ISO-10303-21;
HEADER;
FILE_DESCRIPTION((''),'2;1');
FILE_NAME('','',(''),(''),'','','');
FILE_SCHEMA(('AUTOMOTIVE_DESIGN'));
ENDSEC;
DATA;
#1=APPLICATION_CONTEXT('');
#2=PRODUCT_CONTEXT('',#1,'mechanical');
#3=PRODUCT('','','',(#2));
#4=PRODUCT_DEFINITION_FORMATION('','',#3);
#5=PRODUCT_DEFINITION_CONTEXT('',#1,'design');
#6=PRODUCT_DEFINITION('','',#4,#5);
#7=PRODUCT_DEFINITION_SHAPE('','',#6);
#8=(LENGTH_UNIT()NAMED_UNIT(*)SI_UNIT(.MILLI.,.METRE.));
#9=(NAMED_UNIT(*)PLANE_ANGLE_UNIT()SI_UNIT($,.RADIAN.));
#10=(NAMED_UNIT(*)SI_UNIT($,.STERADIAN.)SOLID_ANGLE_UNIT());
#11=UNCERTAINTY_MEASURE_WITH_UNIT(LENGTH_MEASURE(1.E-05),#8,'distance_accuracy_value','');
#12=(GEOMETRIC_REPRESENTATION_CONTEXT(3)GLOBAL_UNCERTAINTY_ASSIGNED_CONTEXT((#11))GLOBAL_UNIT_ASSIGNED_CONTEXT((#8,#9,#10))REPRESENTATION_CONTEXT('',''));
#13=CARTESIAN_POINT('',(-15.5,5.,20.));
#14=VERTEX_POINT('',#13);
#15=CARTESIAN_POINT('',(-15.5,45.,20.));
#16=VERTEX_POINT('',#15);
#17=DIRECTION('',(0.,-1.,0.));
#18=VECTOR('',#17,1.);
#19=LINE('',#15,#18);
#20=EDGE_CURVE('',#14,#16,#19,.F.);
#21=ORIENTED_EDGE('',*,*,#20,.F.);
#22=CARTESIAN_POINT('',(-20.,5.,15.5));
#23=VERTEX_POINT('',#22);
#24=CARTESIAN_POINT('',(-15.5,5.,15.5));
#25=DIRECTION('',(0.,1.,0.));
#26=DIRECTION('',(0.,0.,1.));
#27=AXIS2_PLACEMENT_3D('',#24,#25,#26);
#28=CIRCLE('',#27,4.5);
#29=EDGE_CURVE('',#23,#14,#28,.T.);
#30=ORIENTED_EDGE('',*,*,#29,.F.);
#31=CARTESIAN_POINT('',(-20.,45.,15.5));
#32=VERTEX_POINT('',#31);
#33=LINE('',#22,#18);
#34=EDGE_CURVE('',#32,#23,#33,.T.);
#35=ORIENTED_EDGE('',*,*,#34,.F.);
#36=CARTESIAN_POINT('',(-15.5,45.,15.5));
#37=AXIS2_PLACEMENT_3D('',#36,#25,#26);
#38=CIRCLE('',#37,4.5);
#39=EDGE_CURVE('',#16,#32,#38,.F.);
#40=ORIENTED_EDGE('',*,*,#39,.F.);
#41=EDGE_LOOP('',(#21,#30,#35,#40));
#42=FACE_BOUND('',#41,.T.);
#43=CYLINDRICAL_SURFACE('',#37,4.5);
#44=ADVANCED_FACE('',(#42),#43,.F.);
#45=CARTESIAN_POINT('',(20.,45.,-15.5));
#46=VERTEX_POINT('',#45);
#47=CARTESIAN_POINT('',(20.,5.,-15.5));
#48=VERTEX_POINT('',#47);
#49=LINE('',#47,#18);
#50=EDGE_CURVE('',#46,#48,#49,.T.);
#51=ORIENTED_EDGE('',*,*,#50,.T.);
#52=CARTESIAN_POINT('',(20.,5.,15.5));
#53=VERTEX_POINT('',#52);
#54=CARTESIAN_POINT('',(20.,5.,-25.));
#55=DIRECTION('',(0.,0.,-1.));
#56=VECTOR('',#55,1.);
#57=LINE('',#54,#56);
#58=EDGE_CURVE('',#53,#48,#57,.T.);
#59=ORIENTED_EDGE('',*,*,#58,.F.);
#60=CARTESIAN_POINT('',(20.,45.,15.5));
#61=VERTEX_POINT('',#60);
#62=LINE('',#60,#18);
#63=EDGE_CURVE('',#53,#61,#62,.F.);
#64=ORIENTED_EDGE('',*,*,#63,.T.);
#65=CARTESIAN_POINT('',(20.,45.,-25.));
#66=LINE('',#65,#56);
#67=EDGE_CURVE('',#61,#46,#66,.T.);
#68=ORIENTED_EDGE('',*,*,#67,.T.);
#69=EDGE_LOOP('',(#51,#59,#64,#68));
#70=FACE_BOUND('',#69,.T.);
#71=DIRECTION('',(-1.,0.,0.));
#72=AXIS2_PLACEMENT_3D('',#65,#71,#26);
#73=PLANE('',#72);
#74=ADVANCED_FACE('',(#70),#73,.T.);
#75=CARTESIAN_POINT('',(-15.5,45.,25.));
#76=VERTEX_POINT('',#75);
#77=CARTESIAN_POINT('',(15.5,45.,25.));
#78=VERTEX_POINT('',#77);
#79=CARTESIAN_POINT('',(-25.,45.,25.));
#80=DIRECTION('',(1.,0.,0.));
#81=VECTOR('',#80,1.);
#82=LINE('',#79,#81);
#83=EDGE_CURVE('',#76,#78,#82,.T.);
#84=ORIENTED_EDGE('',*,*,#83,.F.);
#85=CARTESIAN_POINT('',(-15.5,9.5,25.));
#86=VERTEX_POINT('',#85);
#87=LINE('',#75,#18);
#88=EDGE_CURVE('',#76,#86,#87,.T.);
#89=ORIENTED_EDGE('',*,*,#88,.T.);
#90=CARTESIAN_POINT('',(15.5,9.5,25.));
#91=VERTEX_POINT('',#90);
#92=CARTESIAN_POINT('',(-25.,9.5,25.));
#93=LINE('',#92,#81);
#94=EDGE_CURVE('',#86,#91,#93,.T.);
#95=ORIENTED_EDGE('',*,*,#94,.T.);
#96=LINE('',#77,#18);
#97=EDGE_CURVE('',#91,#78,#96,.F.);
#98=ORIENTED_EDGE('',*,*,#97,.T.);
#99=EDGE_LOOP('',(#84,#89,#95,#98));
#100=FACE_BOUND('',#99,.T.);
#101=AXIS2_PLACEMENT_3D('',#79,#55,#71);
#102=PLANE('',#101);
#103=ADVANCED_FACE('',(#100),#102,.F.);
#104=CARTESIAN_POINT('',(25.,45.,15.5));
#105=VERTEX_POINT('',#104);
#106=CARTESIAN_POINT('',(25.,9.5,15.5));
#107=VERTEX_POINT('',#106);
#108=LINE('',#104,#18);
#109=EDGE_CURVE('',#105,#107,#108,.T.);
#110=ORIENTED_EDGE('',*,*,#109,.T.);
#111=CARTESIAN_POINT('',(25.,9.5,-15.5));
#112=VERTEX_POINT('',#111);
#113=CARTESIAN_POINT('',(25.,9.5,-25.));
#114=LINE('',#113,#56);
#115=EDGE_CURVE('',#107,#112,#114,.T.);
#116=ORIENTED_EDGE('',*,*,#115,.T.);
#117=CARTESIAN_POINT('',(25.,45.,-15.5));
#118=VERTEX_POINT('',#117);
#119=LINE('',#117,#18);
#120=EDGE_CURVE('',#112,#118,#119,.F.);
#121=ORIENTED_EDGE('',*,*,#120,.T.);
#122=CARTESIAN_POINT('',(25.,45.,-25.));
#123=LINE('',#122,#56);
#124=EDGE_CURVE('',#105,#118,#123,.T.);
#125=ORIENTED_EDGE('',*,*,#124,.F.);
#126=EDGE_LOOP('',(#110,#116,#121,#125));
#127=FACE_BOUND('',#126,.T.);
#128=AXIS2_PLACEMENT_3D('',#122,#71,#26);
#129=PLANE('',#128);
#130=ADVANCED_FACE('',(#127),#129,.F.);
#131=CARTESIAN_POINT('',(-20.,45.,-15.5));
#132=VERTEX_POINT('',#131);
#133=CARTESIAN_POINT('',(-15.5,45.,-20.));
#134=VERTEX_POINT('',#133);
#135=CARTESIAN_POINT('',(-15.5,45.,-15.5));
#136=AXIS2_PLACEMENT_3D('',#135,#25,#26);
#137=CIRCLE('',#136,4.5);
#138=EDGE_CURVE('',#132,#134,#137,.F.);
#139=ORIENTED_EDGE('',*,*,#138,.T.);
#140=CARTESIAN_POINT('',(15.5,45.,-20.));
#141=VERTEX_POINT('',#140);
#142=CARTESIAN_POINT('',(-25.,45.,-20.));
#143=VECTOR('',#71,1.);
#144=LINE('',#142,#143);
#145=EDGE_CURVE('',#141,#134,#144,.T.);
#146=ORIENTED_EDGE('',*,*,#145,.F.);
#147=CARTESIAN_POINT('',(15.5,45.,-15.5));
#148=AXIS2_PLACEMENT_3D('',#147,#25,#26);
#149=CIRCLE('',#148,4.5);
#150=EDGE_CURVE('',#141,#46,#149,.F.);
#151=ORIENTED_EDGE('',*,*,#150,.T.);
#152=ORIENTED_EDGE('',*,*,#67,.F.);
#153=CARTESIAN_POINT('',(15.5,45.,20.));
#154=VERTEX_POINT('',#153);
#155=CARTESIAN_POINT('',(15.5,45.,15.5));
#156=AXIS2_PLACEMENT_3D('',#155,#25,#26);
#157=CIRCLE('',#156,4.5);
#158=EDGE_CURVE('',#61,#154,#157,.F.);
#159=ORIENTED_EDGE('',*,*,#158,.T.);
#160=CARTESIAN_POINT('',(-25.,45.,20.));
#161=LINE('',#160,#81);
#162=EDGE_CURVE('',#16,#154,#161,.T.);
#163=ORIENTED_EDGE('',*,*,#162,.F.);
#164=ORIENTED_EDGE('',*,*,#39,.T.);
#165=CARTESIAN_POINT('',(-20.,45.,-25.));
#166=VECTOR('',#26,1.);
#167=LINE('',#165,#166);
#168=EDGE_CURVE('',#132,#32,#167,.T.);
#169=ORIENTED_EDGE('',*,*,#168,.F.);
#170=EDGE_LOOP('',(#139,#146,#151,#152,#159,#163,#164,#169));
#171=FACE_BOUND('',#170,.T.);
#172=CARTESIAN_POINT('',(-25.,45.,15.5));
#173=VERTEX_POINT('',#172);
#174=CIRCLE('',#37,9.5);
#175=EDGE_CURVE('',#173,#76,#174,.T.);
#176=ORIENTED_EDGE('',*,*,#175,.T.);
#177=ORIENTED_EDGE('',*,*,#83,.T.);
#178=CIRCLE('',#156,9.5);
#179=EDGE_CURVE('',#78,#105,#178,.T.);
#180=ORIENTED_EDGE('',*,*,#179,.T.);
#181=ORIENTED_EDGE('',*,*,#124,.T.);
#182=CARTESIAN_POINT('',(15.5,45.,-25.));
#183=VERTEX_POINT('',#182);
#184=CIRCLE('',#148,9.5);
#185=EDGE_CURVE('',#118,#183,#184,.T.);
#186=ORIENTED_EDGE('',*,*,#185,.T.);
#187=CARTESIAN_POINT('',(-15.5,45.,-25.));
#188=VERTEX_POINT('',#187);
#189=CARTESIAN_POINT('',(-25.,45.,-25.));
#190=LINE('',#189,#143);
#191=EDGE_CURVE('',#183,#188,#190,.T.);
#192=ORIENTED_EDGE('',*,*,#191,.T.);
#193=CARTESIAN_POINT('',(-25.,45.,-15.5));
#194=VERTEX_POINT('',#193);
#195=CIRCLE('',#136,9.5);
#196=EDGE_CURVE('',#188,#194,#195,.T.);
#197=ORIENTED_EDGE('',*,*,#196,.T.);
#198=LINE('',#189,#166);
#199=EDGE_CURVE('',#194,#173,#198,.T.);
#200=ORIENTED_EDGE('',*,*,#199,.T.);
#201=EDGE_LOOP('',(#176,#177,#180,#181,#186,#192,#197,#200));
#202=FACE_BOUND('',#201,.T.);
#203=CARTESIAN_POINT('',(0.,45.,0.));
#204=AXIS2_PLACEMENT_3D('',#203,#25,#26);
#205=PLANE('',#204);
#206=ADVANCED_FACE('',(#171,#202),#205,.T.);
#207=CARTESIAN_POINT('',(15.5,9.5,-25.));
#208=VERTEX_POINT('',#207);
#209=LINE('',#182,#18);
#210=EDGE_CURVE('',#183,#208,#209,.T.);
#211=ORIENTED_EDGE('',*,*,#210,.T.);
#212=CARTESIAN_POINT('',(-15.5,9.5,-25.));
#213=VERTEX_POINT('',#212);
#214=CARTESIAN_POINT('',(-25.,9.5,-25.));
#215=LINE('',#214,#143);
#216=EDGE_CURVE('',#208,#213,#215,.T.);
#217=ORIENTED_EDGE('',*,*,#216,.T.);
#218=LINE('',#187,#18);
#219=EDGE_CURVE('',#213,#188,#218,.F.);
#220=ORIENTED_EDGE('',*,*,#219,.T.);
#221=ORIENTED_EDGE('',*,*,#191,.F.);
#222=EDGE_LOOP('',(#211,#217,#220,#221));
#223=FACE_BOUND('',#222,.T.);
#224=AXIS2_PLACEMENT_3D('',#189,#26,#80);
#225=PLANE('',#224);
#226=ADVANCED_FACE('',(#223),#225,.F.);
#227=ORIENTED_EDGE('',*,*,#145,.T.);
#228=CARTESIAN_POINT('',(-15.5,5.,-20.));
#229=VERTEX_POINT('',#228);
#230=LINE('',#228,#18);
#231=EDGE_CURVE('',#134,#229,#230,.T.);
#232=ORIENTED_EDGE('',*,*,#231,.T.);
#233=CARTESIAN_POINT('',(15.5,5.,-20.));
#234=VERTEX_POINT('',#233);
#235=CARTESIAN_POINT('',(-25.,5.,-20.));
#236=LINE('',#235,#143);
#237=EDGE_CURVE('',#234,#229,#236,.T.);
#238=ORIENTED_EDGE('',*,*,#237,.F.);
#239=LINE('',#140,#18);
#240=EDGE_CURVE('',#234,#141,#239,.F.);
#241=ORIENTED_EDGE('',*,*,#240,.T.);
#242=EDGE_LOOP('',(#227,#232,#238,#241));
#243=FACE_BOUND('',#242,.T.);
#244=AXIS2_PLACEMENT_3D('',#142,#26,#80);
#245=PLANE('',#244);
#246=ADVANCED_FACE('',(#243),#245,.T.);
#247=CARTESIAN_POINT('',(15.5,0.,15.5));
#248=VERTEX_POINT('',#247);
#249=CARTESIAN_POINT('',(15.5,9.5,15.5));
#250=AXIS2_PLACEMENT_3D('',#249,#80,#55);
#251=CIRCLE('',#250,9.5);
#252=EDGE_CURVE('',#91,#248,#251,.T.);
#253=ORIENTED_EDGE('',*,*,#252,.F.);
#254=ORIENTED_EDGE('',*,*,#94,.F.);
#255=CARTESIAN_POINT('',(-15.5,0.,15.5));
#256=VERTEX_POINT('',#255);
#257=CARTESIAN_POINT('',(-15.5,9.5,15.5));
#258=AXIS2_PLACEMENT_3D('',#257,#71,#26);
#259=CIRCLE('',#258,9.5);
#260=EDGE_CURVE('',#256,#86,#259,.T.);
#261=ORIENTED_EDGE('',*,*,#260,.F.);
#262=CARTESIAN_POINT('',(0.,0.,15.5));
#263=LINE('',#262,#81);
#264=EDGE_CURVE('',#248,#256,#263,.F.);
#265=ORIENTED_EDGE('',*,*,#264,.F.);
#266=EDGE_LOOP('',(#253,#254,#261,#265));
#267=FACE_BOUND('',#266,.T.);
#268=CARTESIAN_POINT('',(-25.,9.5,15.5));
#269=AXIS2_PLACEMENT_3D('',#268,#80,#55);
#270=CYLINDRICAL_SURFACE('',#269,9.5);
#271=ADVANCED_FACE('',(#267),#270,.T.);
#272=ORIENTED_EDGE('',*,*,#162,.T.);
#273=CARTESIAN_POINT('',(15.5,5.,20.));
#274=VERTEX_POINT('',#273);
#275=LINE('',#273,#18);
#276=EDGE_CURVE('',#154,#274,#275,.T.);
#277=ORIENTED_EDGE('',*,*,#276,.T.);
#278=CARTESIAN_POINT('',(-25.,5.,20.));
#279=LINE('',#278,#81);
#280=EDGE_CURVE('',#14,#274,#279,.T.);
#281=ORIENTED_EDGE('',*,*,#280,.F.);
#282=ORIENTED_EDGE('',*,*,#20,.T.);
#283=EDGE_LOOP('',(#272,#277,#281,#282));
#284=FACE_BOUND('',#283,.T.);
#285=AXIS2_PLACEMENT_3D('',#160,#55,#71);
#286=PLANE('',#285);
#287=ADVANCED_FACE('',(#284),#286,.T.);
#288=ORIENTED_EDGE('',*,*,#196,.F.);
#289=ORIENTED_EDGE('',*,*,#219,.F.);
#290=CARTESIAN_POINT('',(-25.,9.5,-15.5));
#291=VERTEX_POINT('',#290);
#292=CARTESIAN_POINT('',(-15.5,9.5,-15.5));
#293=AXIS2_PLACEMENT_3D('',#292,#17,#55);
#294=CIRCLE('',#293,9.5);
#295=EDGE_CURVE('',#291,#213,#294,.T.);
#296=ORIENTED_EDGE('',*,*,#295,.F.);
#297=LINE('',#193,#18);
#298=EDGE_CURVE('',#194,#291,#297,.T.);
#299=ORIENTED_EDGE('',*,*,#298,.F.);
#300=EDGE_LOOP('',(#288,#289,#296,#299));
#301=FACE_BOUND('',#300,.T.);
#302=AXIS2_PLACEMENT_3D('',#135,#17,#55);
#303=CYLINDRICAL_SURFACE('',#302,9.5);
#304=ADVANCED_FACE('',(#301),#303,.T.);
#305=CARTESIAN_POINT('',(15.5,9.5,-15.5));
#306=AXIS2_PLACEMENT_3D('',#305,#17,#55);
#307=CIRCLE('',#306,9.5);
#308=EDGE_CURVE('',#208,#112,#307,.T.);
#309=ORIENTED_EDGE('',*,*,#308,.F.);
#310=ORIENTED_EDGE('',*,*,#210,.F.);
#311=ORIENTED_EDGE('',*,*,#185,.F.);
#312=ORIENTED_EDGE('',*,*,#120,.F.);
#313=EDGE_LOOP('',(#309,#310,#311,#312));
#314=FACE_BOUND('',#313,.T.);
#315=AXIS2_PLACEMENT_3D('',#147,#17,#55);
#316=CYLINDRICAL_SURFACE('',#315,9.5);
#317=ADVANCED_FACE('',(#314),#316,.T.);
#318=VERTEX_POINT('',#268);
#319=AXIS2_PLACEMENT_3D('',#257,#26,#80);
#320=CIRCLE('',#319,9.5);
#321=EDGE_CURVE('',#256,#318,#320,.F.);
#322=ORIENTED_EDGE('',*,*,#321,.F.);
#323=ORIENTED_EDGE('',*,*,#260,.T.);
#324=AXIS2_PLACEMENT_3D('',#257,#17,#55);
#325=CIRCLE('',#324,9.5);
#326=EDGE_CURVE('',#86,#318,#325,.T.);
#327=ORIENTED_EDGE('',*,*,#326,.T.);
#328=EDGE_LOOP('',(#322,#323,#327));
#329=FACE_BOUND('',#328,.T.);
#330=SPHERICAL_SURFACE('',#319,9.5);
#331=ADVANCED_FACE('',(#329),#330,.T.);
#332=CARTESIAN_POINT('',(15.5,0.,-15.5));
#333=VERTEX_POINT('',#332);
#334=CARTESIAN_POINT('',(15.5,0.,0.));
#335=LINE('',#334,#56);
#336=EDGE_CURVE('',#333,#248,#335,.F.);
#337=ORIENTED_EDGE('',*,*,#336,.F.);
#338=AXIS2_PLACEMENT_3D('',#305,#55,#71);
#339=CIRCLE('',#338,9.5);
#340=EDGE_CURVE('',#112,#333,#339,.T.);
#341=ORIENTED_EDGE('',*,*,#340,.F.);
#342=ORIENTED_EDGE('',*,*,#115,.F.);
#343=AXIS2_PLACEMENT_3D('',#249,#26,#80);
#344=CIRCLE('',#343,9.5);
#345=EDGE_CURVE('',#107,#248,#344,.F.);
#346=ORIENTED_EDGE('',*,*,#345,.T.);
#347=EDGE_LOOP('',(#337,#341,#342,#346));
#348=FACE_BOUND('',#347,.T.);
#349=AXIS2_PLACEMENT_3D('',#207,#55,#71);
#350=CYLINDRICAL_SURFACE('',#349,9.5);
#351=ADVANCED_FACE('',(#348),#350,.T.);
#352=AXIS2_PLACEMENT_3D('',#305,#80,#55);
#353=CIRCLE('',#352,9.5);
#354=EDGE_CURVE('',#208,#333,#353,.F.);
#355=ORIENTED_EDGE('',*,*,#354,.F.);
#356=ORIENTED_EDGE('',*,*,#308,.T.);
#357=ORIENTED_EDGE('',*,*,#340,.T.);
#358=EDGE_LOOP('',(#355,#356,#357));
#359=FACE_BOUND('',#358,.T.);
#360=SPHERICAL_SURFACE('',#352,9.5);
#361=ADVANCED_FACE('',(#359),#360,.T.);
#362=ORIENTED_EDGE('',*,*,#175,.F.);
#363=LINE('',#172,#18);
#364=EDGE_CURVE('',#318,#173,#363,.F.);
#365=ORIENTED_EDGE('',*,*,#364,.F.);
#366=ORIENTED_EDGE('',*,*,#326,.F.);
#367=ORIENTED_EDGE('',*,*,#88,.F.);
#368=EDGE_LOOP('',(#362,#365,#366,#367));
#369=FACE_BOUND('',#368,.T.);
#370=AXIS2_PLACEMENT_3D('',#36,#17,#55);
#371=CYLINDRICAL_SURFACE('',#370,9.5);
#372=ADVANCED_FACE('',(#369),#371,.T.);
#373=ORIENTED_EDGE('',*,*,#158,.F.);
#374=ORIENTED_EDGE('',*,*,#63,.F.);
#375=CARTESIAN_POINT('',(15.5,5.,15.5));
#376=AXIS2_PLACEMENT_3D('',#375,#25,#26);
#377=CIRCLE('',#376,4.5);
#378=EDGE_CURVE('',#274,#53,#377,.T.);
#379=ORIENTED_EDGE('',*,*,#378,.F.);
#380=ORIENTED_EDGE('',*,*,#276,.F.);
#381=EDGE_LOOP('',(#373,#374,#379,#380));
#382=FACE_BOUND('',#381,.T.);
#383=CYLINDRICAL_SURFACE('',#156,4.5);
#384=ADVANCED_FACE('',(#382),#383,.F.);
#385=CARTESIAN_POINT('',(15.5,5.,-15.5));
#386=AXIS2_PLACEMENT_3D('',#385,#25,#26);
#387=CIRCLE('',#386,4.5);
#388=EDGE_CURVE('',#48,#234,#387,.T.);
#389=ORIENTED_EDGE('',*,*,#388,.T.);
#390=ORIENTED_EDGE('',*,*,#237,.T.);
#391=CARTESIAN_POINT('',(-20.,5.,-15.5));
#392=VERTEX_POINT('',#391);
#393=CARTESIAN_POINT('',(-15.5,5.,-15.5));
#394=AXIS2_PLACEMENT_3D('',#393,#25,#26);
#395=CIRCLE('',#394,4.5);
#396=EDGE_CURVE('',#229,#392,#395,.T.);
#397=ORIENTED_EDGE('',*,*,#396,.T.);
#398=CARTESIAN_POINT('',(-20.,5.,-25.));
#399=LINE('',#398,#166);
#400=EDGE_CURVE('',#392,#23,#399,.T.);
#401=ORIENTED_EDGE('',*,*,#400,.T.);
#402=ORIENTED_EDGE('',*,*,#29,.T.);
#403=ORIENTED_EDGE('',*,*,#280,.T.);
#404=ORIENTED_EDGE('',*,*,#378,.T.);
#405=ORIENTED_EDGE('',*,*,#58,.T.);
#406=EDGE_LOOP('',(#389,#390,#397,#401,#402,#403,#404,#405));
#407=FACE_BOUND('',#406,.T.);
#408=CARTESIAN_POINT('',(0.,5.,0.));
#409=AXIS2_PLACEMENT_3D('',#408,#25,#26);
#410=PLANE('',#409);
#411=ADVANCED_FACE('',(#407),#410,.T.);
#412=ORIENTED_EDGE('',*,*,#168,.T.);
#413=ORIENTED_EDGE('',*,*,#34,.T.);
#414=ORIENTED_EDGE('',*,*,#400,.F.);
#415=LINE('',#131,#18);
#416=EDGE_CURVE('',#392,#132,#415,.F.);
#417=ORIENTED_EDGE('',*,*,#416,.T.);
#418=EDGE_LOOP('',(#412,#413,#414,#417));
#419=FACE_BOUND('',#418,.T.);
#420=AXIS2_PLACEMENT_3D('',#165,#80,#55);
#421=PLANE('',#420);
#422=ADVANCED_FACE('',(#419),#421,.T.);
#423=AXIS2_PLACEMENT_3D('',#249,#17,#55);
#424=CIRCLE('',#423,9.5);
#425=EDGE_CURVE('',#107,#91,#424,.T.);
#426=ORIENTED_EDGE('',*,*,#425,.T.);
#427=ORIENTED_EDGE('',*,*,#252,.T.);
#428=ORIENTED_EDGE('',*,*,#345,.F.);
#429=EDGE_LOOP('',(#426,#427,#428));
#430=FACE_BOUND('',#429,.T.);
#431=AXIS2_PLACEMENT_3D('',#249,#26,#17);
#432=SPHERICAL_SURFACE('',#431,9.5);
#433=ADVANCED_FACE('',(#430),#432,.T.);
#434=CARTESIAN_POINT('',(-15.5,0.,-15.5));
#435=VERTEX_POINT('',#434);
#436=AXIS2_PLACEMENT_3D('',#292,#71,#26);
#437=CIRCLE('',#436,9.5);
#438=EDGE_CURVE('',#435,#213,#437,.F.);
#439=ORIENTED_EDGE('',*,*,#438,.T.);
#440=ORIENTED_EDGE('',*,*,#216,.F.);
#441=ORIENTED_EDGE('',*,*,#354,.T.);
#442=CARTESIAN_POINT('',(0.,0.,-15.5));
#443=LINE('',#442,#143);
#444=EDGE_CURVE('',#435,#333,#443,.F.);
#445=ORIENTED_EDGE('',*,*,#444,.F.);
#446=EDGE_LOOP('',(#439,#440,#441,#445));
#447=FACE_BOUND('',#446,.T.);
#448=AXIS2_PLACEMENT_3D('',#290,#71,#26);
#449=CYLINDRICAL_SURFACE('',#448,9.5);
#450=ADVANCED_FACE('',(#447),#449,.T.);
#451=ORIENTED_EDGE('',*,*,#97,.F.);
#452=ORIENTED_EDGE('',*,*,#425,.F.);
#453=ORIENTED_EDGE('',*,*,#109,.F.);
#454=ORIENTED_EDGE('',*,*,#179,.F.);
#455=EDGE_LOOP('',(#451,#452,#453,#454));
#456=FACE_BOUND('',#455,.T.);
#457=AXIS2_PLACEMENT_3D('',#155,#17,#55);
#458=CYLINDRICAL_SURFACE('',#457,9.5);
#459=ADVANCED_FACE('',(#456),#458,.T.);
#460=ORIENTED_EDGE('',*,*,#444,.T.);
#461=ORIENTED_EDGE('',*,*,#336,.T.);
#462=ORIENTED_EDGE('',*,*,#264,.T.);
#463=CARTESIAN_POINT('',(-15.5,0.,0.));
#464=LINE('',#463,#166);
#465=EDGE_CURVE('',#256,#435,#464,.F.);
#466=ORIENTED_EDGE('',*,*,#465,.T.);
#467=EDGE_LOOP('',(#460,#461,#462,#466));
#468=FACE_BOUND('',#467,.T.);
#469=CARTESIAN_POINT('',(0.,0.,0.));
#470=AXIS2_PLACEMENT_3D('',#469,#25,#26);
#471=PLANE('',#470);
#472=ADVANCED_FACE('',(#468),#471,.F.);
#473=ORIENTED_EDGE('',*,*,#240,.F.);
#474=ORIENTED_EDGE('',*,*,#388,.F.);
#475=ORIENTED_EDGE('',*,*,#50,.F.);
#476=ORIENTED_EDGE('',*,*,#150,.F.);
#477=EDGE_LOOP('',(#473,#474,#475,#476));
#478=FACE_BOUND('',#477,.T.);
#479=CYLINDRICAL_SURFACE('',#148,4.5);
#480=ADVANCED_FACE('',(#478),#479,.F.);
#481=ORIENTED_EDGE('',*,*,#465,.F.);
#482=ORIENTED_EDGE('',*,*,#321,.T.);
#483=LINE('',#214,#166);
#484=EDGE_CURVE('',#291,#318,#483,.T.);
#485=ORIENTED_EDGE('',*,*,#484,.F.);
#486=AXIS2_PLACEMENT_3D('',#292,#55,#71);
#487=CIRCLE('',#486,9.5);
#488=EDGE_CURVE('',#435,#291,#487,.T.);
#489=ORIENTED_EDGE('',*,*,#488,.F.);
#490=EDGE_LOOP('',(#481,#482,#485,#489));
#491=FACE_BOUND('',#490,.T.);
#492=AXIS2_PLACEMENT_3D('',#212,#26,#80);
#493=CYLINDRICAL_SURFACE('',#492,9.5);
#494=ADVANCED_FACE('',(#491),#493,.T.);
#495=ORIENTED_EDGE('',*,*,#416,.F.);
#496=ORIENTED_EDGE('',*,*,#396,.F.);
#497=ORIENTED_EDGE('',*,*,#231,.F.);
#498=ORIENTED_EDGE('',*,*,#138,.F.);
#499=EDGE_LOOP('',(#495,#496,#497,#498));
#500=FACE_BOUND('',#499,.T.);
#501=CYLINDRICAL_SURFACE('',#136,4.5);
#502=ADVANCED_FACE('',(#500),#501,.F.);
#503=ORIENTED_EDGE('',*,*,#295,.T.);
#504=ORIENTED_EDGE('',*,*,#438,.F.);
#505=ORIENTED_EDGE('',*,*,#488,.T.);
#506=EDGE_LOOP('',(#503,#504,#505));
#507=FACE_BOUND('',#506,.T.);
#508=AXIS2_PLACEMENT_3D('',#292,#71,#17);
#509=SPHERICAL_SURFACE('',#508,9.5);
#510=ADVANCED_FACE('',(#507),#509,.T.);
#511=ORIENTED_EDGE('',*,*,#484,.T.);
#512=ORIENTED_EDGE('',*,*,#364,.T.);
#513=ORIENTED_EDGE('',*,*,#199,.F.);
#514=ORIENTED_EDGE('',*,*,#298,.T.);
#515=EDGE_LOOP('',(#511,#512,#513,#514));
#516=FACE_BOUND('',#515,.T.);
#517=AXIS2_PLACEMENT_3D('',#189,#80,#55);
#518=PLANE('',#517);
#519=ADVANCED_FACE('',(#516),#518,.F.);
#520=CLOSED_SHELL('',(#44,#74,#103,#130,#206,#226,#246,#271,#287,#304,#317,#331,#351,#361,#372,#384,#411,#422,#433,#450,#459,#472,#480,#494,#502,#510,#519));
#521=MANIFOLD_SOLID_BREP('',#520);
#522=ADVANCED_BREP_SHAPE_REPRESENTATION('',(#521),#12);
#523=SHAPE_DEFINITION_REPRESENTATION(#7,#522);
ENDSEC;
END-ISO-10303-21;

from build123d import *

# Parameters (mm, degrees)
SKETCH1_W           = 50
SKETCH1_H           = 50
BOSS_EXTRUDE1_DEPTH = 45
SHELL1_T            = -5
FILLET1_R           = 4.5
FILLET2_R           = 9.5


with BuildPart() as part:
    # Sketch1 → Boss-Extrude1 (new body)
    with BuildSketch(Plane(origin=(0, 0, 0), x_dir=(1, 0, 0), z_dir=(0, 1, 0))):
        Rectangle(SKETCH1_W, SKETCH1_H)
    extrude(amount=BOSS_EXTRUDE1_DEPTH)

    # Shell1
    shell1_openings = [part.faces().sort_by_distance(p)[0] for p in [
        (0, 45, 0),
    ]]
    offset(amount=SHELL1_T, openings=shell1_openings, kind=Kind.INTERSECTION)

    # Fillet1
    fillet1_edges = [part.edges().sort_by_distance(p)[0] for p in [
        (20, 25, 20),
        (20, 25, -20),
        (-20, 25, -20),
        (-20, 25, 20),
    ]]
    fillet(fillet1_edges, radius=FILLET1_R)

    # Fillet2
    fillet2_edges = [part.edges().sort_by_distance(p)[0] for p in [
        (0, 0, 25),
        (-25, 0, 0),
        (0, 0, -25),
        (25, 0, 0),
        (25, 22.5, 25),
        (-25, 22.5, 25),
        (-25, 22.5, -25),
        (25, 22.5, -25),
    ]]
    fillet(fillet2_edges, radius=FILLET2_R)


solid = part.part
